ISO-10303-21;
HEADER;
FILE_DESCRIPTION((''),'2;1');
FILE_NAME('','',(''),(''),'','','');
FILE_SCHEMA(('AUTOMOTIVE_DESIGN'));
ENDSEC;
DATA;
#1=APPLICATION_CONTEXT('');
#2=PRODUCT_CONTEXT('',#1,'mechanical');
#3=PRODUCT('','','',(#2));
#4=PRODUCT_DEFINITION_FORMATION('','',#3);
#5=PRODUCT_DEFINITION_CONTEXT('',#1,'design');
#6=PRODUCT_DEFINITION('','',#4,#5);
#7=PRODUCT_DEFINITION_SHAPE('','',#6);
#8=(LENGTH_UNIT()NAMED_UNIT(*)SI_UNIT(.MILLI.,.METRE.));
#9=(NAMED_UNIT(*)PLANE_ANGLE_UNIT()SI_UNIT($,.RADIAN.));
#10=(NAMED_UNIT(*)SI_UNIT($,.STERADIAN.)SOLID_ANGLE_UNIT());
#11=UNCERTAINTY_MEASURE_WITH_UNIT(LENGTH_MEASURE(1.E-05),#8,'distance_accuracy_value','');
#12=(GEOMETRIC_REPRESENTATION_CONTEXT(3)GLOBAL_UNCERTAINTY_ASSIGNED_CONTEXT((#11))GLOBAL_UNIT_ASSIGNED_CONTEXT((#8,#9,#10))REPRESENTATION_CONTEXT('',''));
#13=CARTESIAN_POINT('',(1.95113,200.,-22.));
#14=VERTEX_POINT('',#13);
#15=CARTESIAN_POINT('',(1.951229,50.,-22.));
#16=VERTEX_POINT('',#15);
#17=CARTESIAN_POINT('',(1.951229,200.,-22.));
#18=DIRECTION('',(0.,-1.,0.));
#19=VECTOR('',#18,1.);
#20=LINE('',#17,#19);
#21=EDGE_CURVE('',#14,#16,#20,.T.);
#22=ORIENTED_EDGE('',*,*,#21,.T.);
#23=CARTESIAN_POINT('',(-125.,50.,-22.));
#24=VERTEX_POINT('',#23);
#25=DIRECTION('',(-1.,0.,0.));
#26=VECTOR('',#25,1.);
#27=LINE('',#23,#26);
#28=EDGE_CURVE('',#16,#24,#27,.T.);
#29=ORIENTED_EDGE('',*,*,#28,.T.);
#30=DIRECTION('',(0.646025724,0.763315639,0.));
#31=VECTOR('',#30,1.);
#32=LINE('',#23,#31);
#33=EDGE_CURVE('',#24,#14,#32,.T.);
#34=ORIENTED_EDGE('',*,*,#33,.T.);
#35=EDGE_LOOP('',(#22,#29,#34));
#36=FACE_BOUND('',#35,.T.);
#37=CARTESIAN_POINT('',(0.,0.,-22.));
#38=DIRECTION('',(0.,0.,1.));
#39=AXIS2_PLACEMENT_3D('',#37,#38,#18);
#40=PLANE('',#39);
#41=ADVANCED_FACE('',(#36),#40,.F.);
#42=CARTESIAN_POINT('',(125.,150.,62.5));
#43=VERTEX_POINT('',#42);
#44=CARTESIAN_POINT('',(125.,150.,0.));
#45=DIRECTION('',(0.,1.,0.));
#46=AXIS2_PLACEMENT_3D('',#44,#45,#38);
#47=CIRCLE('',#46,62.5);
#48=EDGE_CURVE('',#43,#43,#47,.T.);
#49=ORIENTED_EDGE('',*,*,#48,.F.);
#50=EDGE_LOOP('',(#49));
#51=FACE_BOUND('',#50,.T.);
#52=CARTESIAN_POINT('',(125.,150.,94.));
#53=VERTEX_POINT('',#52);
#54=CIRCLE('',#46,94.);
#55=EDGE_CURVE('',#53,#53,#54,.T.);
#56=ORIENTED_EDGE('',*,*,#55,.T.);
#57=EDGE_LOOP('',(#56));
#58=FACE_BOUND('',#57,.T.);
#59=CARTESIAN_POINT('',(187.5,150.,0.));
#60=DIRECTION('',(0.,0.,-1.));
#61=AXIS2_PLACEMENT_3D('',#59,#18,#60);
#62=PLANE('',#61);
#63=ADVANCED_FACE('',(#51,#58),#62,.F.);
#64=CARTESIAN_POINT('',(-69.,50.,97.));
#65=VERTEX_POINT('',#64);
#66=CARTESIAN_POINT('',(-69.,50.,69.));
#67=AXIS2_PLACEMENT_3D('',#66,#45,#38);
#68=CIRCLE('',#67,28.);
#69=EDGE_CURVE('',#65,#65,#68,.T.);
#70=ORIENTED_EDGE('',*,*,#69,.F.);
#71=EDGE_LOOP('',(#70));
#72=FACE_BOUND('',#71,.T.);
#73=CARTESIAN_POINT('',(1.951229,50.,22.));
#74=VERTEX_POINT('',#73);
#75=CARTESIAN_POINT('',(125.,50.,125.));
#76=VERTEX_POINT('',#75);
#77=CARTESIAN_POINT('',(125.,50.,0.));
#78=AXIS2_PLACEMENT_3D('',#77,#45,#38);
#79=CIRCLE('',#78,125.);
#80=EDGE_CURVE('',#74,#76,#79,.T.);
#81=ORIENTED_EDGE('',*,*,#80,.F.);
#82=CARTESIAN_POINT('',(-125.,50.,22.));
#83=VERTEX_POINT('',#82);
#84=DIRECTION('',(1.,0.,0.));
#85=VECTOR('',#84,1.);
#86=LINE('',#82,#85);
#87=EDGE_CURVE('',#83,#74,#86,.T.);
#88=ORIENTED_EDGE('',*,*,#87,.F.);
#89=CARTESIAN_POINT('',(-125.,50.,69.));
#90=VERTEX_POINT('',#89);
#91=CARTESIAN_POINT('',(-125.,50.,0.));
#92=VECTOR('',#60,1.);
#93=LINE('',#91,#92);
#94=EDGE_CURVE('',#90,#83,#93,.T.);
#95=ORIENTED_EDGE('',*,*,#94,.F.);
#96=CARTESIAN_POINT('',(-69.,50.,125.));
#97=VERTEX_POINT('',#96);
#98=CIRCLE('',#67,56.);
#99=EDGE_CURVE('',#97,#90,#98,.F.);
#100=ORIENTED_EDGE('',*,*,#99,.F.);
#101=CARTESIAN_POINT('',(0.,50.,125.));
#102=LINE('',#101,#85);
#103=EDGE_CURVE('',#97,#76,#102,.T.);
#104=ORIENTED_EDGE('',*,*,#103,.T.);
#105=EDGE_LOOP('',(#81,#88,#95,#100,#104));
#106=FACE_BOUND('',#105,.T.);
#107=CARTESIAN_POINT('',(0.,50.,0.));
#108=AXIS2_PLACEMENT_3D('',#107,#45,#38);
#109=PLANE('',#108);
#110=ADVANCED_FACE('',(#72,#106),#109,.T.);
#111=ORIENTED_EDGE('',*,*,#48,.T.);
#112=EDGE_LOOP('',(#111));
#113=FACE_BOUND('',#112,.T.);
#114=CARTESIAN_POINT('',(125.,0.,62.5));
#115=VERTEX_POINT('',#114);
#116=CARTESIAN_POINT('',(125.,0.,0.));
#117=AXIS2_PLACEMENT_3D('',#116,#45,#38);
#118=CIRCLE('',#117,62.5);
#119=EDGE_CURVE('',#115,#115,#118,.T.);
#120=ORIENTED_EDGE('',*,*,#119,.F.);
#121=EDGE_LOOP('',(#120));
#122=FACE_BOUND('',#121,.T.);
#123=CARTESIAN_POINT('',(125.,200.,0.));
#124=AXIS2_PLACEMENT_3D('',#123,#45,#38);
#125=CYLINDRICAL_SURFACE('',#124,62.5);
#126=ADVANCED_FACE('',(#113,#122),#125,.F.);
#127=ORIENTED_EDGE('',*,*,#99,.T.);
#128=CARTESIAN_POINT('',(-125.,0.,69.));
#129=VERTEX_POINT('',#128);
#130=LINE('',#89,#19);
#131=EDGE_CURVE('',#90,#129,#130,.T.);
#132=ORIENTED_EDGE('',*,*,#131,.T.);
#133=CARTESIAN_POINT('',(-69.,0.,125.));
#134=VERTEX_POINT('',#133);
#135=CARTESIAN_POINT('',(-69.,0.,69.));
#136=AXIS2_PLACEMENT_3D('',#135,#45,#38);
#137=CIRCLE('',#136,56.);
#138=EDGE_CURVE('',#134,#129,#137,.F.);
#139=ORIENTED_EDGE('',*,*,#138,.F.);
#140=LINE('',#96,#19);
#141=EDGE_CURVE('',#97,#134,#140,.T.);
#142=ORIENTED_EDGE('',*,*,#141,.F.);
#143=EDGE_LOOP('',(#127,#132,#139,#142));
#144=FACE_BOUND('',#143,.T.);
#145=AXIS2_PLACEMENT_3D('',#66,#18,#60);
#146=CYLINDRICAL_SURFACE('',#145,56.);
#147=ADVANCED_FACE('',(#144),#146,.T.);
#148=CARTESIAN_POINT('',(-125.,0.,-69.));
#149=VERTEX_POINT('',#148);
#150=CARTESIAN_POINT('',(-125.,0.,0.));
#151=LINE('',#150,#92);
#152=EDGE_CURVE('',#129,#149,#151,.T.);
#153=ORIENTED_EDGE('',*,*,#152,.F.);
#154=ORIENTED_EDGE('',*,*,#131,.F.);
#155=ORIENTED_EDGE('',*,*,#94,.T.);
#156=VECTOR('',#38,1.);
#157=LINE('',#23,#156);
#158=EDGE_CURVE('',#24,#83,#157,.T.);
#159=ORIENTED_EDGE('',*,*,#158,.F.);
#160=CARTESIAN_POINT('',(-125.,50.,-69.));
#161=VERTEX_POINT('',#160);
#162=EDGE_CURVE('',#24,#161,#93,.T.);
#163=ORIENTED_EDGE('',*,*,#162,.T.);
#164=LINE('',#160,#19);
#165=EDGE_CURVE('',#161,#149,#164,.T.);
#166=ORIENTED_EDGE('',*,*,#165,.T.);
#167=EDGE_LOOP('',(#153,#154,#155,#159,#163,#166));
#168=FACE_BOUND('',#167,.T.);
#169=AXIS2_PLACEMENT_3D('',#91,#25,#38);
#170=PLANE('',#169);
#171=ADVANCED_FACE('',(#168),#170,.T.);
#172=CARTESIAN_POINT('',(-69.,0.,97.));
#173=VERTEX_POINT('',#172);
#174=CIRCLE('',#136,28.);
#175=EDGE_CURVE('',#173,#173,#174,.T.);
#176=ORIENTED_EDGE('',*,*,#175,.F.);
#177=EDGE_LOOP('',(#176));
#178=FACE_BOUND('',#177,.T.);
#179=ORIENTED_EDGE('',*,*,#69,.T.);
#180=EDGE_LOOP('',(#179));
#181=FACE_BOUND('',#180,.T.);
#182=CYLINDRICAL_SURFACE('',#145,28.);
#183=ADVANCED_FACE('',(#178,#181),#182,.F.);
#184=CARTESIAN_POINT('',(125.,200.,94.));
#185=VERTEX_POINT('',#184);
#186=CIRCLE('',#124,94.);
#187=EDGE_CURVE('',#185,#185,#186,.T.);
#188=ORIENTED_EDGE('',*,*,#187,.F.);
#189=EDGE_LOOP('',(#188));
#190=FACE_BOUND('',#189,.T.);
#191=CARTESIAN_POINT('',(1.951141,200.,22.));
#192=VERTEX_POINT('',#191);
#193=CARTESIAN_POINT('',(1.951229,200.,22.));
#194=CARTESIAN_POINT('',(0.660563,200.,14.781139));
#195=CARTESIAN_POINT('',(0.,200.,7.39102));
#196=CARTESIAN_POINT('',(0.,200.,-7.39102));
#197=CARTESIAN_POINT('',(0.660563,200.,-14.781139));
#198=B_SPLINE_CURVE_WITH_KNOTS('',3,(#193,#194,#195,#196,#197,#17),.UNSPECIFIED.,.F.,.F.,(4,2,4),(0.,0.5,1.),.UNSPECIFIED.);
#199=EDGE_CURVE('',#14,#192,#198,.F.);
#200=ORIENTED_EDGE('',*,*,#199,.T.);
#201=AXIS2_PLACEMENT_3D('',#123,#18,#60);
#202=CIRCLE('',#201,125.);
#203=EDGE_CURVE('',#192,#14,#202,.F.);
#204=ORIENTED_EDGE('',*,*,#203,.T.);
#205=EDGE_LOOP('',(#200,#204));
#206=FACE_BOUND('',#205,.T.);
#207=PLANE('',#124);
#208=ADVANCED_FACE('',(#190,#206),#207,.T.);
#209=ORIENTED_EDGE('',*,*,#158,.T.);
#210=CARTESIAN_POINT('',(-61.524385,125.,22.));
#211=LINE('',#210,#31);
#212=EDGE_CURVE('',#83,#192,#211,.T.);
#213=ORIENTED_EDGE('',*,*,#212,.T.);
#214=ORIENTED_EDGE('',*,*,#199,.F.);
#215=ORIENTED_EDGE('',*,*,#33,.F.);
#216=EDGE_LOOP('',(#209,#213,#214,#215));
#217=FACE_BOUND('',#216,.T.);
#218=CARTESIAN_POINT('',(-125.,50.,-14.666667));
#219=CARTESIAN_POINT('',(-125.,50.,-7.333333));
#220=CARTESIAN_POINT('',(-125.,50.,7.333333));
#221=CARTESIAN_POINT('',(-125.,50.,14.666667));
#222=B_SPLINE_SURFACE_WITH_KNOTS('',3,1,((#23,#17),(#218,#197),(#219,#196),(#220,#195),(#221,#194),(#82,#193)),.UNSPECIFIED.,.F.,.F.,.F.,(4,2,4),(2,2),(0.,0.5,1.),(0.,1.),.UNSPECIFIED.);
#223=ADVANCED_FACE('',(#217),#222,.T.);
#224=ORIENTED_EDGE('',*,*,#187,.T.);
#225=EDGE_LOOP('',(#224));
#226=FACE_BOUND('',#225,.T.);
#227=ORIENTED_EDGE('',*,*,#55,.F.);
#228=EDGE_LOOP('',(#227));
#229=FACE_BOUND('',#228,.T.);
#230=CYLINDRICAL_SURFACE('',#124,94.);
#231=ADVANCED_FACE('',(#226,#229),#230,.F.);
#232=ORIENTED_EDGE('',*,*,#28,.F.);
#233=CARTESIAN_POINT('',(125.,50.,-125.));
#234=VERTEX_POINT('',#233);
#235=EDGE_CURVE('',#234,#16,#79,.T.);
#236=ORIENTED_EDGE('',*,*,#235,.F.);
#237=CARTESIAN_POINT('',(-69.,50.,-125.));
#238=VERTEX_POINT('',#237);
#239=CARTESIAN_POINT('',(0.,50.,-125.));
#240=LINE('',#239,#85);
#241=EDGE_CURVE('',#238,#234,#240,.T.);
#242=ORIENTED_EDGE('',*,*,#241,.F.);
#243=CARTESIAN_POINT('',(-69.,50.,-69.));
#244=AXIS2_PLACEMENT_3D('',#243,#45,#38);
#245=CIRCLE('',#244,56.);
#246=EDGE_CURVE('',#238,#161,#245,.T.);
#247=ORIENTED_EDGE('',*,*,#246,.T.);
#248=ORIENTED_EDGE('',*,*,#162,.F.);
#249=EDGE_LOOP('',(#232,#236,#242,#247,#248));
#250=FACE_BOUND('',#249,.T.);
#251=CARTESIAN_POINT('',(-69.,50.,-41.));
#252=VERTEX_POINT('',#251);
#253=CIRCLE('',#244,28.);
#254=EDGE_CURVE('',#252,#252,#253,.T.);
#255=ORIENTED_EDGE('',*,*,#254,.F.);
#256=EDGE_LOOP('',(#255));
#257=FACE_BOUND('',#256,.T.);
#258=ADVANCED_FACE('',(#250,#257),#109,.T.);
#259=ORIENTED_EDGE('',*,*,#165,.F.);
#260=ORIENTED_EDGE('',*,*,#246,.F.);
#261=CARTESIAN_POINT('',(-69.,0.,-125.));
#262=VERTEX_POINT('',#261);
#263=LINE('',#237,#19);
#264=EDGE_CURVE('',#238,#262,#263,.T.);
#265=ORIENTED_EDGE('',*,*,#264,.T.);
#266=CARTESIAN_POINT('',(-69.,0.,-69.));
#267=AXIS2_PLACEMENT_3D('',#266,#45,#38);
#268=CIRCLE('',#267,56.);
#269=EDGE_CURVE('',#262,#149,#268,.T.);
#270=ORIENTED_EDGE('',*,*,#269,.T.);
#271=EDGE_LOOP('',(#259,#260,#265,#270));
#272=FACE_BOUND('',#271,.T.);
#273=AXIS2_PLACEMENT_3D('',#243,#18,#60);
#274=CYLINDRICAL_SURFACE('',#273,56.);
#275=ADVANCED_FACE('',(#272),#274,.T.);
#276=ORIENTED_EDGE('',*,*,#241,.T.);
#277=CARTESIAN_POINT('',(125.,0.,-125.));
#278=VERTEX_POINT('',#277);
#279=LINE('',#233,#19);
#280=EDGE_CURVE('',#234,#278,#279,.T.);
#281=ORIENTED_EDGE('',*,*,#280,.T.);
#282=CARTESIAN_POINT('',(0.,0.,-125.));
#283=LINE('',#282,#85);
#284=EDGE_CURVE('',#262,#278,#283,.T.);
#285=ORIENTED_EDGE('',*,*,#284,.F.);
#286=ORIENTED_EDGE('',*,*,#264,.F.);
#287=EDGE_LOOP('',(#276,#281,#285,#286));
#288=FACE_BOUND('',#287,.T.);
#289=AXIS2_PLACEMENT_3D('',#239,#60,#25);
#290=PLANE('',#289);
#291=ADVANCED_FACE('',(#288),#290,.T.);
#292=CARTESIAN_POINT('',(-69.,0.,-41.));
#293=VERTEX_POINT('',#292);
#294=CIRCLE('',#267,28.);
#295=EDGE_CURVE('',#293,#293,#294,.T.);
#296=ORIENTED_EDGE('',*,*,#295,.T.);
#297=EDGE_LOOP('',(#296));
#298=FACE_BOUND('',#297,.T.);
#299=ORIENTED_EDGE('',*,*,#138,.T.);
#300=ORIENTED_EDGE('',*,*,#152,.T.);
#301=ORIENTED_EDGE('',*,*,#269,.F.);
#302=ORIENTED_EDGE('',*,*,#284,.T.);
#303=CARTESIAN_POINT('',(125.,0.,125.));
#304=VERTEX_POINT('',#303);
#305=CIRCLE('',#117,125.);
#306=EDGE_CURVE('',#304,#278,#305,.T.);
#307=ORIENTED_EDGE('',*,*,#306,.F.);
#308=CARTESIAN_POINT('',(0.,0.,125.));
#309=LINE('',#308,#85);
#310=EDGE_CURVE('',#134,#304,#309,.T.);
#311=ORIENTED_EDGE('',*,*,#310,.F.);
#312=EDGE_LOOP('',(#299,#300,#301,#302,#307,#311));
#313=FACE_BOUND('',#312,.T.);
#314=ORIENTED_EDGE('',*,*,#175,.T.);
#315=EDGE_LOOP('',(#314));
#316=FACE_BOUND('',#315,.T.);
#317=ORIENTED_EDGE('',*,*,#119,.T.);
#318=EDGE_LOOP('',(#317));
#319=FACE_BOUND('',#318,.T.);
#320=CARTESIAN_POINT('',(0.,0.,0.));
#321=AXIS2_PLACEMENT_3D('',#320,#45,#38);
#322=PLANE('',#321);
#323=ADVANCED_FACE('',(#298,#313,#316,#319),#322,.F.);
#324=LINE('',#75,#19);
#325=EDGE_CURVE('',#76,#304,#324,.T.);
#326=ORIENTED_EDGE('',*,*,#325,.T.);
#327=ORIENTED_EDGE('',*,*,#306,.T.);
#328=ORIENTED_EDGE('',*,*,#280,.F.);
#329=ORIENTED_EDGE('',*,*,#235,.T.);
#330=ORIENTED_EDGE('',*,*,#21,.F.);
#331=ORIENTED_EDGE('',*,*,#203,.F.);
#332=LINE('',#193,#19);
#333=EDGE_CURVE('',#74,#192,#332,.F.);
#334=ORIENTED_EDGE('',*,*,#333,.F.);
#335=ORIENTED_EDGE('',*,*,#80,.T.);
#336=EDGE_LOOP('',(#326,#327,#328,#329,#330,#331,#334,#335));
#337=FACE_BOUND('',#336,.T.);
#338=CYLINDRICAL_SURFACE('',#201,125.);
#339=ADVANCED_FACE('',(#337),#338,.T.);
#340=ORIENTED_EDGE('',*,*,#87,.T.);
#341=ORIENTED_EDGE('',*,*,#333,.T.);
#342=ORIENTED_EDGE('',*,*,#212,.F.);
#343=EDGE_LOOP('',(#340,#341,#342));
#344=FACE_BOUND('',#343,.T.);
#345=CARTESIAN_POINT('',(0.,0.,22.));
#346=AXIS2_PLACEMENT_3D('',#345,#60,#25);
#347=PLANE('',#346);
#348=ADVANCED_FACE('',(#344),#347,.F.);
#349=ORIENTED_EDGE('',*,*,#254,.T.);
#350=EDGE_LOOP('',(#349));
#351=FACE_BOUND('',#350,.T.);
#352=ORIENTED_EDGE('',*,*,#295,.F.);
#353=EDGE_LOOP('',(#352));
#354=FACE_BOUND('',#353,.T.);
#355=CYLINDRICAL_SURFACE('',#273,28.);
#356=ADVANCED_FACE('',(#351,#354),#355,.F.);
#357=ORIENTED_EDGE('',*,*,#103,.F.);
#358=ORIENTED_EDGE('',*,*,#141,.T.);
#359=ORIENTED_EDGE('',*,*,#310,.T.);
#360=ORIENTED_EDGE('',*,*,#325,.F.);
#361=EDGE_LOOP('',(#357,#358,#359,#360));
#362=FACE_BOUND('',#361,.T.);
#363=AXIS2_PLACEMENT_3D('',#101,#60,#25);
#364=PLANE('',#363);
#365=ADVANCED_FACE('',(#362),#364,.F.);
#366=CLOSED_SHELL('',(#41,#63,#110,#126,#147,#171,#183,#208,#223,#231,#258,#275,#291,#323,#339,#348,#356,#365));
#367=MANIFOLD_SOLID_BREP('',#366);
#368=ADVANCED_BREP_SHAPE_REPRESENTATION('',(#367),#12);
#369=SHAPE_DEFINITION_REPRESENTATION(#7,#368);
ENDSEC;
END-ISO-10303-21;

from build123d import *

# Parameters (mm, degrees)
SKETCH1_R                               = 28
BOSS_EXTRUDE1_DEPTH                     = 50
SKETCH1_3_R                             = 125
BOSS_EXTRUDE2_DEPTH                     = 200
CBORE_FOR_M5_HEX_HEAD_BOLT1_D           = 125
CBORE_FOR_M5_HEX_HEAD_BOLT1_DEPTH       = 200
CBORE_FOR_M5_HEX_HEAD_BOLT1_CBORE_D     = 188
CBORE_FOR_M5_HEX_HEAD_BOLT1_CBORE_DEPTH = 50
CBORE_FOR_M5_HEX_HEAD_BOLT1_TIP         = 36.084391824


with BuildPart() as part:
    # Sketch1 → Boss-Extrude1 (new body)
    with BuildSketch(Plane(origin=(0, 0, 0), x_dir=(1, 0, 0), z_dir=(0, 1, 0))):
        with BuildLine():
            ThreePointArc((-125, -69), (-108.597979746, -108.597979746), (-69, -125))
            Line((-69, -125), (125, -125))
            ThreePointArc((125, -125), (0, 0), (125, 125))
            Line((125, 125), (-69, 125))
            ThreePointArc((-69, 125), (-108.597979746, 108.597979746), (-125, 69))
            Line((-125, 69), (-125, -69))
        make_face()
        with Locations((-69, -69)):
            Circle(SKETCH1_R, mode=Mode.SUBTRACT)
        with Locations((-69, 69)):
            Circle(SKETCH1_R, mode=Mode.SUBTRACT)
    extrude(amount=BOSS_EXTRUDE1_DEPTH)

    # Sketch1<3> → Boss-Extrude2 (add)
    with BuildSketch(Plane(origin=(0, 0, 0), x_dir=(1, 0, 0), z_dir=(0, 1, 0))):
        with Locations((125, 0)):
            Circle(SKETCH1_3_R)
    extrude(amount=BOSS_EXTRUDE2_DEPTH)

    # CBORE for M5 Hex Head Bolt1
    with Locations(Plane(origin=(0, 200, 0), x_dir=(1, 0, 0), z_dir=(0, 1, 0))):
        with Locations((125, 0)):
            CounterBoreHole(CBORE_FOR_M5_HEX_HEAD_BOLT1_D / 2, CBORE_FOR_M5_HEX_HEAD_BOLT1_CBORE_D / 2, CBORE_FOR_M5_HEX_HEAD_BOLT1_CBORE_DEPTH, depth=CBORE_FOR_M5_HEX_HEAD_BOLT1_DEPTH)
            with Locations((0, 0, -(CBORE_FOR_M5_HEX_HEAD_BOLT1_DEPTH + CBORE_FOR_M5_HEX_HEAD_BOLT1_TIP / 2))):  # 120° drill point
                Cone(0, CBORE_FOR_M5_HEX_HEAD_BOLT1_D / 2, CBORE_FOR_M5_HEX_HEAD_BOLT1_TIP, mode=Mode.SUBTRACT)

    # Sketch7 → Loft1 section 0
    with BuildSketch(Plane(origin=(0, 50, 0), x_dir=(1, 0, 0), z_dir=(0, 1, 0))):
        with BuildLine():
            Line((-125, 22), (19.117040025, 22))
            Line((19.117040025, 22), (19.117040025, -22))
            Line((19.117040025, -22), (-125, -22))
            Line((-125, -22), (-125, 22))
        make_face()
    # Sketch6 for Loft1 → Loft1 section 1
    with BuildSketch(Plane(origin=(0, 200, 0), x_dir=(1, 0, 0), z_dir=(0, 1, 0))):
        with BuildLine():
            Line((1.951229181, -22), (26.938517531, -22))
            Line((26.938517531, -22), (26.938517531, 22))
            Line((26.938517531, 22), (1.951229181, 22))
            # circular arc as an exact rational Bezier (weights 1, cos(half-angle), 1)
            Bezier((1.951229181, 22), (-1.982170533, 0), (1.951229181, -22), weights=[1, 0.984390167, 1])
        make_face()
    loft()


solid = part.part
